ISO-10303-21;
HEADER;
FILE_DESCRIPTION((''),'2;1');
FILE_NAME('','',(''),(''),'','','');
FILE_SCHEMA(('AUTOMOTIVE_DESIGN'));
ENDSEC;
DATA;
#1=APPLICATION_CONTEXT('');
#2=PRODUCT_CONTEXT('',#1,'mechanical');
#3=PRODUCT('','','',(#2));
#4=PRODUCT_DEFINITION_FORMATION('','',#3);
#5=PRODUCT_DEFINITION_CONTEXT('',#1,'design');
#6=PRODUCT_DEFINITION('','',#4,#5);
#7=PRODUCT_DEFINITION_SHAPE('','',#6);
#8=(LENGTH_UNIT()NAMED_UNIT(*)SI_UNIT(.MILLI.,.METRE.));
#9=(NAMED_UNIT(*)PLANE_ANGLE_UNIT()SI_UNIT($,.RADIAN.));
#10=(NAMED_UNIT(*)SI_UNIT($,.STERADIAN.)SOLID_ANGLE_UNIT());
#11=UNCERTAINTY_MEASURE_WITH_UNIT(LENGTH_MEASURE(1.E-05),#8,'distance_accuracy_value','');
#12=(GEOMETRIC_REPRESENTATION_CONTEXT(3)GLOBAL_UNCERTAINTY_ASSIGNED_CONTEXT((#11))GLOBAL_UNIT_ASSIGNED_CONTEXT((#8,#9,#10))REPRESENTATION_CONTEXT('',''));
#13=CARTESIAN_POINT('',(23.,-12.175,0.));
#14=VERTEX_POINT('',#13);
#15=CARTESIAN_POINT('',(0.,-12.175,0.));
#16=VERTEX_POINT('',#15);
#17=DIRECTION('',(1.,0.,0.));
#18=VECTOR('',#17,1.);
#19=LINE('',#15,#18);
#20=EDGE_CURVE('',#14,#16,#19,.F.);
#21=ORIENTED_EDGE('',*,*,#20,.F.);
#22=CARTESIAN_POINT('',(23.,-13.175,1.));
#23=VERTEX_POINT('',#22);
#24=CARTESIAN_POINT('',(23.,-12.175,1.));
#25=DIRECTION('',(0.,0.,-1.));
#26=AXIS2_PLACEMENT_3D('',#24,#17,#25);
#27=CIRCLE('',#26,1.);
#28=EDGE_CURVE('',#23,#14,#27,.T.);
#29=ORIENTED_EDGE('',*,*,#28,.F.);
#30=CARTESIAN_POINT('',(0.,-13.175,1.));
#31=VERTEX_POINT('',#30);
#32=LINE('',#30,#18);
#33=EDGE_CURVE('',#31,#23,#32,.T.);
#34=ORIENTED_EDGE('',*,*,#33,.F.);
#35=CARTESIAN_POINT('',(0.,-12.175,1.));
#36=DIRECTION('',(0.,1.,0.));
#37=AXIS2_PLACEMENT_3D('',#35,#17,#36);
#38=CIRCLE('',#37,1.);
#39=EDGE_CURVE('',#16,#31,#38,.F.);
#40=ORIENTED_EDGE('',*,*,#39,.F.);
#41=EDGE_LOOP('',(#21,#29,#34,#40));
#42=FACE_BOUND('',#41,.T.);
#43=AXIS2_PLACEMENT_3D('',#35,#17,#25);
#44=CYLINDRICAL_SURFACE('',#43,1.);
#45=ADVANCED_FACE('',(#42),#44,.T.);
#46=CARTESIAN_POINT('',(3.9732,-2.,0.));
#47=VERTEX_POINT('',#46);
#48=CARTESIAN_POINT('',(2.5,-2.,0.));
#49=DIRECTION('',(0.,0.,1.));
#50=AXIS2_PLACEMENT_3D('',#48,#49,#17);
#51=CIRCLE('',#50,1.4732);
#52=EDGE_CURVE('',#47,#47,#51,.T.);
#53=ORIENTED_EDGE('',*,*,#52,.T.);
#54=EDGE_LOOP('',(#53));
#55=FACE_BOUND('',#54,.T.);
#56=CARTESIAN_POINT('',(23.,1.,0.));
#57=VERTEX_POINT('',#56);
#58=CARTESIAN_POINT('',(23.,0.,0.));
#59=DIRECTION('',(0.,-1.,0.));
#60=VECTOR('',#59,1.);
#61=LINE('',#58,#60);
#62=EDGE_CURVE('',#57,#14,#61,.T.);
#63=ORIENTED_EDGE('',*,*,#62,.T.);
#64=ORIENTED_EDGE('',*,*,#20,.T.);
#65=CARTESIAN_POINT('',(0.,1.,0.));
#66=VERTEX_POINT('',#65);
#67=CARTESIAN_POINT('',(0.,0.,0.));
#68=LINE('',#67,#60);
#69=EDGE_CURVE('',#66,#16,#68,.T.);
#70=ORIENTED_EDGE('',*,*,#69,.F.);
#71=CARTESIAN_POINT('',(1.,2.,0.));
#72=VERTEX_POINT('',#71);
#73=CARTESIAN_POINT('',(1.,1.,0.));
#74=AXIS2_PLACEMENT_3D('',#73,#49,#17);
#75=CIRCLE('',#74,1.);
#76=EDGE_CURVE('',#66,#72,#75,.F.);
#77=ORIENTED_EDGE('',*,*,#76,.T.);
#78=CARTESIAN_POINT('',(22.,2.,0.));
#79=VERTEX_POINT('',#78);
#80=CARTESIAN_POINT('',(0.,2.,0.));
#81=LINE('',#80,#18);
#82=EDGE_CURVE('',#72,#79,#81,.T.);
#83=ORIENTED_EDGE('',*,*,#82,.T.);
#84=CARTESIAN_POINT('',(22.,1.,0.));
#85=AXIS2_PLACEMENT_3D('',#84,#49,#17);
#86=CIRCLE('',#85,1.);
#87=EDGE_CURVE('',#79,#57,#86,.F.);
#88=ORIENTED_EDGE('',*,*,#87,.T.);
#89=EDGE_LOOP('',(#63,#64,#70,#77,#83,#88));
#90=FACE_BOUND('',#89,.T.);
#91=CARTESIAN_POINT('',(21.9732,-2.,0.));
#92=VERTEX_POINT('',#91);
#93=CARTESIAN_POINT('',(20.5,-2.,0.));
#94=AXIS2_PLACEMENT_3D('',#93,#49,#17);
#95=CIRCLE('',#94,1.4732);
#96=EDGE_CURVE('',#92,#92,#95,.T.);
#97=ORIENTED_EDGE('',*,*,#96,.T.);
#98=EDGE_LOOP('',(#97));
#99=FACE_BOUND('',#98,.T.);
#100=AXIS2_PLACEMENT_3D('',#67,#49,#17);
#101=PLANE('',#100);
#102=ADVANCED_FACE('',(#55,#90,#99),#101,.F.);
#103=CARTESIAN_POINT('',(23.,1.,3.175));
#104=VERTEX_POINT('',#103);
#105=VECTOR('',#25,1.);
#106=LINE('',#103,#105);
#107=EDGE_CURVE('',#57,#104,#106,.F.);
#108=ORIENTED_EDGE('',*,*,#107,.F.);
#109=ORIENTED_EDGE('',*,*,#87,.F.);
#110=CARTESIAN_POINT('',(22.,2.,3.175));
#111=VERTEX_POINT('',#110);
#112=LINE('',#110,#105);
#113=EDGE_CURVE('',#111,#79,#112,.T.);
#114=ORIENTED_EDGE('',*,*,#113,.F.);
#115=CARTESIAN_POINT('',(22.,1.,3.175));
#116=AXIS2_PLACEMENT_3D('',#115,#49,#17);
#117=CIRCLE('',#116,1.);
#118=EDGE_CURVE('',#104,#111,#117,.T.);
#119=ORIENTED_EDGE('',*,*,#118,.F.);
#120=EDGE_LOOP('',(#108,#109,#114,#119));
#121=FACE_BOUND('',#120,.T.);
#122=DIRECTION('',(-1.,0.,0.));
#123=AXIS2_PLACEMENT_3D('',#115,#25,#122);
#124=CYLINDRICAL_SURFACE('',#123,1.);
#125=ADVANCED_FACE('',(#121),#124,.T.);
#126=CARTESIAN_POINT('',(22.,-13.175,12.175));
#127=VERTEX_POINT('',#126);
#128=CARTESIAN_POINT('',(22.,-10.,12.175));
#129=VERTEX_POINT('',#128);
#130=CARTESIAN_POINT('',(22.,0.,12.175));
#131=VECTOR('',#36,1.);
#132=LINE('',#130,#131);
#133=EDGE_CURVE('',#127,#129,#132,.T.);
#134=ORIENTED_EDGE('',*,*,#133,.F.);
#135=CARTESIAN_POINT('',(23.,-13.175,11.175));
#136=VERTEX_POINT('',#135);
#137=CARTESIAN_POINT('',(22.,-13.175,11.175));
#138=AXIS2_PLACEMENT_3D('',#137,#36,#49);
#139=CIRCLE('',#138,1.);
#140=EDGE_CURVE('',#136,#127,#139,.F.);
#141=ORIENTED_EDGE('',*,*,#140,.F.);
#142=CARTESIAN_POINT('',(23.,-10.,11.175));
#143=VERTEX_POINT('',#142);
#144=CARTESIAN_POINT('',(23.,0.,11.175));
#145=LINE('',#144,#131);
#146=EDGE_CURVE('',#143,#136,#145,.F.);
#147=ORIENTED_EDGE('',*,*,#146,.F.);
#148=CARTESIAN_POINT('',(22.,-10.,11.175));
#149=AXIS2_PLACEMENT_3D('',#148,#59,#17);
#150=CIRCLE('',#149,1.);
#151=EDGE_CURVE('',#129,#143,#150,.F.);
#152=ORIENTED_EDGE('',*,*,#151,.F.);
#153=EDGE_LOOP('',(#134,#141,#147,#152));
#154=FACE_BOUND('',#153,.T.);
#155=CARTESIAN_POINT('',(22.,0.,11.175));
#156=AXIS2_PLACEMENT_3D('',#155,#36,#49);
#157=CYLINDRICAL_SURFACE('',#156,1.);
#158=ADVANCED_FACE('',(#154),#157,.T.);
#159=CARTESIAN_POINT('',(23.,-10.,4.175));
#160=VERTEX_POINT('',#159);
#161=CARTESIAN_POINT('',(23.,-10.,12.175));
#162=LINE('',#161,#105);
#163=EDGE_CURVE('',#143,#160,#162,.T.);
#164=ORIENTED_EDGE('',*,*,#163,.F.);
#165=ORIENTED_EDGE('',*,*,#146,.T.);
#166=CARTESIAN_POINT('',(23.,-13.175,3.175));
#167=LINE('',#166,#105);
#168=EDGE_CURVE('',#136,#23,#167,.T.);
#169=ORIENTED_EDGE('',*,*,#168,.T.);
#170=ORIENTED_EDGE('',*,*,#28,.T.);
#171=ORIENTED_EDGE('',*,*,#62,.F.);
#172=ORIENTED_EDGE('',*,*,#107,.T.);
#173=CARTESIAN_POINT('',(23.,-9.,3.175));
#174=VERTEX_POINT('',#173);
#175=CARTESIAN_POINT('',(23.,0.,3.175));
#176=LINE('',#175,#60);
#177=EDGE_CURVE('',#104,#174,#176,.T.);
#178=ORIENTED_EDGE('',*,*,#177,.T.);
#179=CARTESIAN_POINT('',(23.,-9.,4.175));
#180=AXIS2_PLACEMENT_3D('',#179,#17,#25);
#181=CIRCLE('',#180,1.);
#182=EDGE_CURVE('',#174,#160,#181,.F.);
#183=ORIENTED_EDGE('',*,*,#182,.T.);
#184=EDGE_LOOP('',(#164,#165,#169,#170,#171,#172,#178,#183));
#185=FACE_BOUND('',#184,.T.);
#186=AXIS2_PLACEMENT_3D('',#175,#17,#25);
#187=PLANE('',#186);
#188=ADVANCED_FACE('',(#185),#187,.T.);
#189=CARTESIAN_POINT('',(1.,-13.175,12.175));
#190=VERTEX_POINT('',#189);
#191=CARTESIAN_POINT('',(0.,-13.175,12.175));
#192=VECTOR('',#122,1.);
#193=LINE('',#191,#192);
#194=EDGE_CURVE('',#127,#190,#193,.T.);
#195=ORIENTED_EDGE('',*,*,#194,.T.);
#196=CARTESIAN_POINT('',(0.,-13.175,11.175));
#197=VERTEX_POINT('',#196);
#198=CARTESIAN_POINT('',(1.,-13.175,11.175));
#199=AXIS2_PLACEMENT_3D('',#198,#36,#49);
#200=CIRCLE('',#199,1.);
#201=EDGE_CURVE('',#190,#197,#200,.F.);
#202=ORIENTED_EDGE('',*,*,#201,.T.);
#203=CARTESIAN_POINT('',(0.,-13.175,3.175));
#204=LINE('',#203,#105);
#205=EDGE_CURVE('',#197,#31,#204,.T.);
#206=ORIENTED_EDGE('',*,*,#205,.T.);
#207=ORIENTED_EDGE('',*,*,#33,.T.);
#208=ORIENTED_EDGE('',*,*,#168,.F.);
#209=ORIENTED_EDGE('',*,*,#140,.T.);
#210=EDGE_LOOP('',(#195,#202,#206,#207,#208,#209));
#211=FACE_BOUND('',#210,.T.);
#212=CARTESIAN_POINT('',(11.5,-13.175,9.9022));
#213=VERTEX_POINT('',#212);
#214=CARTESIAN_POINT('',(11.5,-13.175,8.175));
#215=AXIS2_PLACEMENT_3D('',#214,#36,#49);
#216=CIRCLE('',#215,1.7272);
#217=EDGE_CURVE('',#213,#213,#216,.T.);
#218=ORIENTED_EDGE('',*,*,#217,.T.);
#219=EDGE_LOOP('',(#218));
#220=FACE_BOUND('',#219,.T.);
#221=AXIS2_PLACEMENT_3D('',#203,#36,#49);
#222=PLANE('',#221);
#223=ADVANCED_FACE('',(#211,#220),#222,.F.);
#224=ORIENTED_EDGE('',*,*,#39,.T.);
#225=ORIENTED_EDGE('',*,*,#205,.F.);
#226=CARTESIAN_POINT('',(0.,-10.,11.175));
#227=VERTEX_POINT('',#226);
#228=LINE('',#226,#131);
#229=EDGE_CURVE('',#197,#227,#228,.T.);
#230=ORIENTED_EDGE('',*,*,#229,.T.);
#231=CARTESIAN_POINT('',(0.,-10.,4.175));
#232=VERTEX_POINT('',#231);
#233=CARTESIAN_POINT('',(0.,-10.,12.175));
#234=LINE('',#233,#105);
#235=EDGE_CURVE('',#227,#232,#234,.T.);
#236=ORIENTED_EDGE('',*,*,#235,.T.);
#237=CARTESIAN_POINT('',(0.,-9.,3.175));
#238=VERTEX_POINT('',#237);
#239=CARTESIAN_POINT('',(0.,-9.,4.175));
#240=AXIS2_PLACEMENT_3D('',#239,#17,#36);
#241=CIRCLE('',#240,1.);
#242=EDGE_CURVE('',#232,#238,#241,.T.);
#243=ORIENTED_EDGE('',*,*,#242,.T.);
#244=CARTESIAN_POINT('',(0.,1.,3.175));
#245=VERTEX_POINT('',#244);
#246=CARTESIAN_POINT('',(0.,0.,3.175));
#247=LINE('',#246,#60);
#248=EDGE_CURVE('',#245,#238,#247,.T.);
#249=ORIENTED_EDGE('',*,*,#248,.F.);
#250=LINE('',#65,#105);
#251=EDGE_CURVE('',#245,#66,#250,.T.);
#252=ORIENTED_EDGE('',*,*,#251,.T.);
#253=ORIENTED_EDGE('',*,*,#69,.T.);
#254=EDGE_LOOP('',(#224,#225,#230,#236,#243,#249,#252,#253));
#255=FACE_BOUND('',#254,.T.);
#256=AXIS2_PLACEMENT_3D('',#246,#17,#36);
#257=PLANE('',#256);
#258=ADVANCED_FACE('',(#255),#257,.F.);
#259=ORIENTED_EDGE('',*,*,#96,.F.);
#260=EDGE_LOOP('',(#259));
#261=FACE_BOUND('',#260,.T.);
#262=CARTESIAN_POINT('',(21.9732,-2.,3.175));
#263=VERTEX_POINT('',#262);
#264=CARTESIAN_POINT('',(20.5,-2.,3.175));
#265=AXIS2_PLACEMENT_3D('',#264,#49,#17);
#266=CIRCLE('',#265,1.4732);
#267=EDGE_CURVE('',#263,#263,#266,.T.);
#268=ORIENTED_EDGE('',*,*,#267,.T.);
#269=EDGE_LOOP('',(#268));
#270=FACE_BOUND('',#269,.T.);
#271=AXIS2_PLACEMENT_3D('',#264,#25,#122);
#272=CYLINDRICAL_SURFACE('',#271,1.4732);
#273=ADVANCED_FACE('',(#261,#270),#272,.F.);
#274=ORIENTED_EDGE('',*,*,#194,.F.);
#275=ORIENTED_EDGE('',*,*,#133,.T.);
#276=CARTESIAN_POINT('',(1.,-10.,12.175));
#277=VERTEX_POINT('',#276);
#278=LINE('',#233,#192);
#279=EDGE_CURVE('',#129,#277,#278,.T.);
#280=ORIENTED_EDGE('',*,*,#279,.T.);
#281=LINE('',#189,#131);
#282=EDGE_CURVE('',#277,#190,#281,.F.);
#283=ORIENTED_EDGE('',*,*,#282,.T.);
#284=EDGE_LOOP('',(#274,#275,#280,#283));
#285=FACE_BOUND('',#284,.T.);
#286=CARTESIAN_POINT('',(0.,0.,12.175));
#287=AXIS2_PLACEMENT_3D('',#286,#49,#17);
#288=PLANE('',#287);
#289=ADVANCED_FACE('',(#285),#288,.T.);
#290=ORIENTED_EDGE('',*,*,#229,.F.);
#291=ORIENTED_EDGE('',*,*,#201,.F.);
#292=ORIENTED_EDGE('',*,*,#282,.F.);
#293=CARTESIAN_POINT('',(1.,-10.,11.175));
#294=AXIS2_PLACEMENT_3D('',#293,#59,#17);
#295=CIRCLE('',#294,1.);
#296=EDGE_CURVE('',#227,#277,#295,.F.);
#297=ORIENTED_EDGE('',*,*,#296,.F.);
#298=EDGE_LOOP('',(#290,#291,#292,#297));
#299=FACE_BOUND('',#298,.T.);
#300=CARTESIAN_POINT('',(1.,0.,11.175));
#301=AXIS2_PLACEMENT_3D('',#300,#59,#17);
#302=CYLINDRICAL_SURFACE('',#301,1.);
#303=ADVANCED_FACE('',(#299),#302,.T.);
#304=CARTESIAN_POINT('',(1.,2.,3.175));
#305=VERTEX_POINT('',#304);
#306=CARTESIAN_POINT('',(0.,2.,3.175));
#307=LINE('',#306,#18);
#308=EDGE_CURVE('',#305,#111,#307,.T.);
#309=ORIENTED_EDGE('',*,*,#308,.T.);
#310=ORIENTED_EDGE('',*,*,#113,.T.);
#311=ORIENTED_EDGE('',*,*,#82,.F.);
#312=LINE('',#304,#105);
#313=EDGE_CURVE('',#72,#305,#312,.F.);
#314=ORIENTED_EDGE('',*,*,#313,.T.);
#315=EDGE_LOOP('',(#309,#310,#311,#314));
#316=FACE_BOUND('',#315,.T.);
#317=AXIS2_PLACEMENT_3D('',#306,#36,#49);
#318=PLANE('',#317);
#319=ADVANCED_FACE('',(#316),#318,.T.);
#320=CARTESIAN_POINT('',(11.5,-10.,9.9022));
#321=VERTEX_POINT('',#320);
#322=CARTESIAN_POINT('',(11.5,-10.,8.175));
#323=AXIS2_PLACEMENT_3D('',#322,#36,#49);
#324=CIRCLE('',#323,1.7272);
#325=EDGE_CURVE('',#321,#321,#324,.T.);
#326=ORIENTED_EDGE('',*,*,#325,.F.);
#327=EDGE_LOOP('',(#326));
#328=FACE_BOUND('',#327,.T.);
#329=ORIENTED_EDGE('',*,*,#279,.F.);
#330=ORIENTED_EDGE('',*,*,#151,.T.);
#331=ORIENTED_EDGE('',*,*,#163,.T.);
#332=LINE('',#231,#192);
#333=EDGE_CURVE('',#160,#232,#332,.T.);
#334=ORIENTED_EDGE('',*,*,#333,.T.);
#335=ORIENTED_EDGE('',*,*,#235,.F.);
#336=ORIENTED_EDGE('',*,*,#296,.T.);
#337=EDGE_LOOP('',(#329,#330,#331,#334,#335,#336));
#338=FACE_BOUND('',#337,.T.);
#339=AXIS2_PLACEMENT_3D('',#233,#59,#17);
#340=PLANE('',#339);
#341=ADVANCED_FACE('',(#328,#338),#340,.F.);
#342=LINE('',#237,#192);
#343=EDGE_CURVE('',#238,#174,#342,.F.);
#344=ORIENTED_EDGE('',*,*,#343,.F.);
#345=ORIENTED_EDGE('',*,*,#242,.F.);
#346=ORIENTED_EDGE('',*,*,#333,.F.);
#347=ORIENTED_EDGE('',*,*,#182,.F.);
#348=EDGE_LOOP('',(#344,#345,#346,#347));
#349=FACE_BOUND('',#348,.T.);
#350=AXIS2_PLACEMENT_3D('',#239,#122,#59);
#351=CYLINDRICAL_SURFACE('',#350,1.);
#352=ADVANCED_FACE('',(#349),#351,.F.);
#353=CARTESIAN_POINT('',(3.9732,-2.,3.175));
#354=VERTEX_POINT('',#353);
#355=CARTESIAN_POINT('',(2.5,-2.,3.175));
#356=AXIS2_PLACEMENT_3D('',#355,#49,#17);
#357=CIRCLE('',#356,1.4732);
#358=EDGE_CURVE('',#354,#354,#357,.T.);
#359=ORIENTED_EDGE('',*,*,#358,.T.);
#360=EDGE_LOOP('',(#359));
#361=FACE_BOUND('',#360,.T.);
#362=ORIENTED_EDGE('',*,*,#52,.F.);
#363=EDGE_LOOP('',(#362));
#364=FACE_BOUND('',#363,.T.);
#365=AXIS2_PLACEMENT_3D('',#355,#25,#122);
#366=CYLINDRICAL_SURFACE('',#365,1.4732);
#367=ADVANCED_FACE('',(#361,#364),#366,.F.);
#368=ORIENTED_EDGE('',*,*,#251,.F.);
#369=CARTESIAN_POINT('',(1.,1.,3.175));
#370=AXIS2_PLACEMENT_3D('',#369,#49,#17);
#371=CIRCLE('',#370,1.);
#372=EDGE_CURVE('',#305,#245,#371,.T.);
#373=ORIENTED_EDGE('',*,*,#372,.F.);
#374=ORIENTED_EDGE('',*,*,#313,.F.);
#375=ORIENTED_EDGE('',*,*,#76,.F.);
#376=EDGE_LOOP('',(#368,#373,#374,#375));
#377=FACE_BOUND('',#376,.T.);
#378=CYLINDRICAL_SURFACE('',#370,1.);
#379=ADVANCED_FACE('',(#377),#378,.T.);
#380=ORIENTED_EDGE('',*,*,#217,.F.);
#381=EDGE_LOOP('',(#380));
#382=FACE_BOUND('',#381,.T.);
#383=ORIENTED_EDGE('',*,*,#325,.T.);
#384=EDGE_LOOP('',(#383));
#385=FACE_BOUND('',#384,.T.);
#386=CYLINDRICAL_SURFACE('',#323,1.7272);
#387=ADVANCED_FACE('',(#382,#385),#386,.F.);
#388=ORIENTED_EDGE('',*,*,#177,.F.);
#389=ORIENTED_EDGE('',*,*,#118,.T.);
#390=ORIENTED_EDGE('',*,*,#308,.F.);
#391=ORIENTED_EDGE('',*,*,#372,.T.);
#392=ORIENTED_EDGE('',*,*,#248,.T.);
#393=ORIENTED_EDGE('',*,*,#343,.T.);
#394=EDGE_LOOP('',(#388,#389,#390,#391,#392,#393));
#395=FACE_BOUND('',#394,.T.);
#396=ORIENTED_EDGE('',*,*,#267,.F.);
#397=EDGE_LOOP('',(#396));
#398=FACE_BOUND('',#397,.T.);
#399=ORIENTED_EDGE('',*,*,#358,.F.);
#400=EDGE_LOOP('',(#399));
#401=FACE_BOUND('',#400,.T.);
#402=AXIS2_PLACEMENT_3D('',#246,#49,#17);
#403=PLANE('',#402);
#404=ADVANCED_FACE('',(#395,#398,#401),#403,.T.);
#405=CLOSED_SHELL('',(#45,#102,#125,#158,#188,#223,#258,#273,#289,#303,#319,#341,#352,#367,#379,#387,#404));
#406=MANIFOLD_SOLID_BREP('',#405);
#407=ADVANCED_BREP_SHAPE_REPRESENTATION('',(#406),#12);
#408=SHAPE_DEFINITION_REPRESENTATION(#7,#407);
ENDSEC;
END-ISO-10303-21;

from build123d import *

# Parameters (mm, degrees)
SKETCH1_W             = 23
SKETCH1_H             = 10
SKETCH1_R             = 1.4732
SKETCH1_H_2           = 3.175
SKETCH1_H_3           = 2
BOSS_EXTRUDE1_DEPTH   = 3.175
BOSS_EXTRUDE2_START   = 3.175
SKETCH1_3_W           = 23
SKETCH1_3_H           = 3.175
BOSS_EXTRUDE2_DEPTH   = 9
F_8_32_TAPPED_HOLE1_D = 3.4544
FILLET1_R             = 1


with BuildPart() as part:
    # Sketch1 → Boss-Extrude1 (new body)
    # profile 1 of 3: a face of its own
    with BuildSketch(Plane.XY):
        with Locations((11.5, -5)):
            Rectangle(SKETCH1_W, SKETCH1_H)
        with Locations((2.5, -2)):
            Circle(SKETCH1_R, mode=Mode.SUBTRACT)
        with Locations((20.5, -2)):
            Circle(SKETCH1_R, mode=Mode.SUBTRACT)
    # profile 2 of 3: a face of its own
    with BuildSketch(Plane.XY):
        with Locations((11.5, -11.5875)):
            Rectangle(SKETCH1_W, SKETCH1_H_2)
    # profile 3 of 3: a face of its own
    with BuildSketch(Plane.XY):
        with Locations((11.5, 1)):
            Rectangle(SKETCH1_W, SKETCH1_H_3)
    extrude(amount=BOSS_EXTRUDE1_DEPTH)

    # Sketch1<3> → Boss-Extrude2 (add)
    with BuildSketch(Plane.XY.offset(BOSS_EXTRUDE2_START)):
        with Locations((11.5, -11.5875)):
            Rectangle(SKETCH1_3_W, SKETCH1_3_H)
    extrude(amount=BOSS_EXTRUDE2_DEPTH)

    # #8-32 Tapped Hole1 (through all)
    with Locations(Plane(origin=(11.5, -10, 8.175), x_dir=(1, 0, 0), z_dir=(0, 1, 0))):
        with Locations((0, 0)):
            Hole(F_8_32_TAPPED_HOLE1_D / 2)

    # Fillet1
    fillet1_edges = [part.edges().sort_by_distance(p)[0] for p in [
        (0, 2, 1.5875),
        (23, 2, 1.5875),
        (0, -11.5875, 12.175),
        (11.5, -10, 3.175),
        (23, -11.5875, 12.175),
        (11.5, -13.175, 0),
    ]]
    fillet(fillet1_edges, radius=FILLET1_R)


solid = part.part
